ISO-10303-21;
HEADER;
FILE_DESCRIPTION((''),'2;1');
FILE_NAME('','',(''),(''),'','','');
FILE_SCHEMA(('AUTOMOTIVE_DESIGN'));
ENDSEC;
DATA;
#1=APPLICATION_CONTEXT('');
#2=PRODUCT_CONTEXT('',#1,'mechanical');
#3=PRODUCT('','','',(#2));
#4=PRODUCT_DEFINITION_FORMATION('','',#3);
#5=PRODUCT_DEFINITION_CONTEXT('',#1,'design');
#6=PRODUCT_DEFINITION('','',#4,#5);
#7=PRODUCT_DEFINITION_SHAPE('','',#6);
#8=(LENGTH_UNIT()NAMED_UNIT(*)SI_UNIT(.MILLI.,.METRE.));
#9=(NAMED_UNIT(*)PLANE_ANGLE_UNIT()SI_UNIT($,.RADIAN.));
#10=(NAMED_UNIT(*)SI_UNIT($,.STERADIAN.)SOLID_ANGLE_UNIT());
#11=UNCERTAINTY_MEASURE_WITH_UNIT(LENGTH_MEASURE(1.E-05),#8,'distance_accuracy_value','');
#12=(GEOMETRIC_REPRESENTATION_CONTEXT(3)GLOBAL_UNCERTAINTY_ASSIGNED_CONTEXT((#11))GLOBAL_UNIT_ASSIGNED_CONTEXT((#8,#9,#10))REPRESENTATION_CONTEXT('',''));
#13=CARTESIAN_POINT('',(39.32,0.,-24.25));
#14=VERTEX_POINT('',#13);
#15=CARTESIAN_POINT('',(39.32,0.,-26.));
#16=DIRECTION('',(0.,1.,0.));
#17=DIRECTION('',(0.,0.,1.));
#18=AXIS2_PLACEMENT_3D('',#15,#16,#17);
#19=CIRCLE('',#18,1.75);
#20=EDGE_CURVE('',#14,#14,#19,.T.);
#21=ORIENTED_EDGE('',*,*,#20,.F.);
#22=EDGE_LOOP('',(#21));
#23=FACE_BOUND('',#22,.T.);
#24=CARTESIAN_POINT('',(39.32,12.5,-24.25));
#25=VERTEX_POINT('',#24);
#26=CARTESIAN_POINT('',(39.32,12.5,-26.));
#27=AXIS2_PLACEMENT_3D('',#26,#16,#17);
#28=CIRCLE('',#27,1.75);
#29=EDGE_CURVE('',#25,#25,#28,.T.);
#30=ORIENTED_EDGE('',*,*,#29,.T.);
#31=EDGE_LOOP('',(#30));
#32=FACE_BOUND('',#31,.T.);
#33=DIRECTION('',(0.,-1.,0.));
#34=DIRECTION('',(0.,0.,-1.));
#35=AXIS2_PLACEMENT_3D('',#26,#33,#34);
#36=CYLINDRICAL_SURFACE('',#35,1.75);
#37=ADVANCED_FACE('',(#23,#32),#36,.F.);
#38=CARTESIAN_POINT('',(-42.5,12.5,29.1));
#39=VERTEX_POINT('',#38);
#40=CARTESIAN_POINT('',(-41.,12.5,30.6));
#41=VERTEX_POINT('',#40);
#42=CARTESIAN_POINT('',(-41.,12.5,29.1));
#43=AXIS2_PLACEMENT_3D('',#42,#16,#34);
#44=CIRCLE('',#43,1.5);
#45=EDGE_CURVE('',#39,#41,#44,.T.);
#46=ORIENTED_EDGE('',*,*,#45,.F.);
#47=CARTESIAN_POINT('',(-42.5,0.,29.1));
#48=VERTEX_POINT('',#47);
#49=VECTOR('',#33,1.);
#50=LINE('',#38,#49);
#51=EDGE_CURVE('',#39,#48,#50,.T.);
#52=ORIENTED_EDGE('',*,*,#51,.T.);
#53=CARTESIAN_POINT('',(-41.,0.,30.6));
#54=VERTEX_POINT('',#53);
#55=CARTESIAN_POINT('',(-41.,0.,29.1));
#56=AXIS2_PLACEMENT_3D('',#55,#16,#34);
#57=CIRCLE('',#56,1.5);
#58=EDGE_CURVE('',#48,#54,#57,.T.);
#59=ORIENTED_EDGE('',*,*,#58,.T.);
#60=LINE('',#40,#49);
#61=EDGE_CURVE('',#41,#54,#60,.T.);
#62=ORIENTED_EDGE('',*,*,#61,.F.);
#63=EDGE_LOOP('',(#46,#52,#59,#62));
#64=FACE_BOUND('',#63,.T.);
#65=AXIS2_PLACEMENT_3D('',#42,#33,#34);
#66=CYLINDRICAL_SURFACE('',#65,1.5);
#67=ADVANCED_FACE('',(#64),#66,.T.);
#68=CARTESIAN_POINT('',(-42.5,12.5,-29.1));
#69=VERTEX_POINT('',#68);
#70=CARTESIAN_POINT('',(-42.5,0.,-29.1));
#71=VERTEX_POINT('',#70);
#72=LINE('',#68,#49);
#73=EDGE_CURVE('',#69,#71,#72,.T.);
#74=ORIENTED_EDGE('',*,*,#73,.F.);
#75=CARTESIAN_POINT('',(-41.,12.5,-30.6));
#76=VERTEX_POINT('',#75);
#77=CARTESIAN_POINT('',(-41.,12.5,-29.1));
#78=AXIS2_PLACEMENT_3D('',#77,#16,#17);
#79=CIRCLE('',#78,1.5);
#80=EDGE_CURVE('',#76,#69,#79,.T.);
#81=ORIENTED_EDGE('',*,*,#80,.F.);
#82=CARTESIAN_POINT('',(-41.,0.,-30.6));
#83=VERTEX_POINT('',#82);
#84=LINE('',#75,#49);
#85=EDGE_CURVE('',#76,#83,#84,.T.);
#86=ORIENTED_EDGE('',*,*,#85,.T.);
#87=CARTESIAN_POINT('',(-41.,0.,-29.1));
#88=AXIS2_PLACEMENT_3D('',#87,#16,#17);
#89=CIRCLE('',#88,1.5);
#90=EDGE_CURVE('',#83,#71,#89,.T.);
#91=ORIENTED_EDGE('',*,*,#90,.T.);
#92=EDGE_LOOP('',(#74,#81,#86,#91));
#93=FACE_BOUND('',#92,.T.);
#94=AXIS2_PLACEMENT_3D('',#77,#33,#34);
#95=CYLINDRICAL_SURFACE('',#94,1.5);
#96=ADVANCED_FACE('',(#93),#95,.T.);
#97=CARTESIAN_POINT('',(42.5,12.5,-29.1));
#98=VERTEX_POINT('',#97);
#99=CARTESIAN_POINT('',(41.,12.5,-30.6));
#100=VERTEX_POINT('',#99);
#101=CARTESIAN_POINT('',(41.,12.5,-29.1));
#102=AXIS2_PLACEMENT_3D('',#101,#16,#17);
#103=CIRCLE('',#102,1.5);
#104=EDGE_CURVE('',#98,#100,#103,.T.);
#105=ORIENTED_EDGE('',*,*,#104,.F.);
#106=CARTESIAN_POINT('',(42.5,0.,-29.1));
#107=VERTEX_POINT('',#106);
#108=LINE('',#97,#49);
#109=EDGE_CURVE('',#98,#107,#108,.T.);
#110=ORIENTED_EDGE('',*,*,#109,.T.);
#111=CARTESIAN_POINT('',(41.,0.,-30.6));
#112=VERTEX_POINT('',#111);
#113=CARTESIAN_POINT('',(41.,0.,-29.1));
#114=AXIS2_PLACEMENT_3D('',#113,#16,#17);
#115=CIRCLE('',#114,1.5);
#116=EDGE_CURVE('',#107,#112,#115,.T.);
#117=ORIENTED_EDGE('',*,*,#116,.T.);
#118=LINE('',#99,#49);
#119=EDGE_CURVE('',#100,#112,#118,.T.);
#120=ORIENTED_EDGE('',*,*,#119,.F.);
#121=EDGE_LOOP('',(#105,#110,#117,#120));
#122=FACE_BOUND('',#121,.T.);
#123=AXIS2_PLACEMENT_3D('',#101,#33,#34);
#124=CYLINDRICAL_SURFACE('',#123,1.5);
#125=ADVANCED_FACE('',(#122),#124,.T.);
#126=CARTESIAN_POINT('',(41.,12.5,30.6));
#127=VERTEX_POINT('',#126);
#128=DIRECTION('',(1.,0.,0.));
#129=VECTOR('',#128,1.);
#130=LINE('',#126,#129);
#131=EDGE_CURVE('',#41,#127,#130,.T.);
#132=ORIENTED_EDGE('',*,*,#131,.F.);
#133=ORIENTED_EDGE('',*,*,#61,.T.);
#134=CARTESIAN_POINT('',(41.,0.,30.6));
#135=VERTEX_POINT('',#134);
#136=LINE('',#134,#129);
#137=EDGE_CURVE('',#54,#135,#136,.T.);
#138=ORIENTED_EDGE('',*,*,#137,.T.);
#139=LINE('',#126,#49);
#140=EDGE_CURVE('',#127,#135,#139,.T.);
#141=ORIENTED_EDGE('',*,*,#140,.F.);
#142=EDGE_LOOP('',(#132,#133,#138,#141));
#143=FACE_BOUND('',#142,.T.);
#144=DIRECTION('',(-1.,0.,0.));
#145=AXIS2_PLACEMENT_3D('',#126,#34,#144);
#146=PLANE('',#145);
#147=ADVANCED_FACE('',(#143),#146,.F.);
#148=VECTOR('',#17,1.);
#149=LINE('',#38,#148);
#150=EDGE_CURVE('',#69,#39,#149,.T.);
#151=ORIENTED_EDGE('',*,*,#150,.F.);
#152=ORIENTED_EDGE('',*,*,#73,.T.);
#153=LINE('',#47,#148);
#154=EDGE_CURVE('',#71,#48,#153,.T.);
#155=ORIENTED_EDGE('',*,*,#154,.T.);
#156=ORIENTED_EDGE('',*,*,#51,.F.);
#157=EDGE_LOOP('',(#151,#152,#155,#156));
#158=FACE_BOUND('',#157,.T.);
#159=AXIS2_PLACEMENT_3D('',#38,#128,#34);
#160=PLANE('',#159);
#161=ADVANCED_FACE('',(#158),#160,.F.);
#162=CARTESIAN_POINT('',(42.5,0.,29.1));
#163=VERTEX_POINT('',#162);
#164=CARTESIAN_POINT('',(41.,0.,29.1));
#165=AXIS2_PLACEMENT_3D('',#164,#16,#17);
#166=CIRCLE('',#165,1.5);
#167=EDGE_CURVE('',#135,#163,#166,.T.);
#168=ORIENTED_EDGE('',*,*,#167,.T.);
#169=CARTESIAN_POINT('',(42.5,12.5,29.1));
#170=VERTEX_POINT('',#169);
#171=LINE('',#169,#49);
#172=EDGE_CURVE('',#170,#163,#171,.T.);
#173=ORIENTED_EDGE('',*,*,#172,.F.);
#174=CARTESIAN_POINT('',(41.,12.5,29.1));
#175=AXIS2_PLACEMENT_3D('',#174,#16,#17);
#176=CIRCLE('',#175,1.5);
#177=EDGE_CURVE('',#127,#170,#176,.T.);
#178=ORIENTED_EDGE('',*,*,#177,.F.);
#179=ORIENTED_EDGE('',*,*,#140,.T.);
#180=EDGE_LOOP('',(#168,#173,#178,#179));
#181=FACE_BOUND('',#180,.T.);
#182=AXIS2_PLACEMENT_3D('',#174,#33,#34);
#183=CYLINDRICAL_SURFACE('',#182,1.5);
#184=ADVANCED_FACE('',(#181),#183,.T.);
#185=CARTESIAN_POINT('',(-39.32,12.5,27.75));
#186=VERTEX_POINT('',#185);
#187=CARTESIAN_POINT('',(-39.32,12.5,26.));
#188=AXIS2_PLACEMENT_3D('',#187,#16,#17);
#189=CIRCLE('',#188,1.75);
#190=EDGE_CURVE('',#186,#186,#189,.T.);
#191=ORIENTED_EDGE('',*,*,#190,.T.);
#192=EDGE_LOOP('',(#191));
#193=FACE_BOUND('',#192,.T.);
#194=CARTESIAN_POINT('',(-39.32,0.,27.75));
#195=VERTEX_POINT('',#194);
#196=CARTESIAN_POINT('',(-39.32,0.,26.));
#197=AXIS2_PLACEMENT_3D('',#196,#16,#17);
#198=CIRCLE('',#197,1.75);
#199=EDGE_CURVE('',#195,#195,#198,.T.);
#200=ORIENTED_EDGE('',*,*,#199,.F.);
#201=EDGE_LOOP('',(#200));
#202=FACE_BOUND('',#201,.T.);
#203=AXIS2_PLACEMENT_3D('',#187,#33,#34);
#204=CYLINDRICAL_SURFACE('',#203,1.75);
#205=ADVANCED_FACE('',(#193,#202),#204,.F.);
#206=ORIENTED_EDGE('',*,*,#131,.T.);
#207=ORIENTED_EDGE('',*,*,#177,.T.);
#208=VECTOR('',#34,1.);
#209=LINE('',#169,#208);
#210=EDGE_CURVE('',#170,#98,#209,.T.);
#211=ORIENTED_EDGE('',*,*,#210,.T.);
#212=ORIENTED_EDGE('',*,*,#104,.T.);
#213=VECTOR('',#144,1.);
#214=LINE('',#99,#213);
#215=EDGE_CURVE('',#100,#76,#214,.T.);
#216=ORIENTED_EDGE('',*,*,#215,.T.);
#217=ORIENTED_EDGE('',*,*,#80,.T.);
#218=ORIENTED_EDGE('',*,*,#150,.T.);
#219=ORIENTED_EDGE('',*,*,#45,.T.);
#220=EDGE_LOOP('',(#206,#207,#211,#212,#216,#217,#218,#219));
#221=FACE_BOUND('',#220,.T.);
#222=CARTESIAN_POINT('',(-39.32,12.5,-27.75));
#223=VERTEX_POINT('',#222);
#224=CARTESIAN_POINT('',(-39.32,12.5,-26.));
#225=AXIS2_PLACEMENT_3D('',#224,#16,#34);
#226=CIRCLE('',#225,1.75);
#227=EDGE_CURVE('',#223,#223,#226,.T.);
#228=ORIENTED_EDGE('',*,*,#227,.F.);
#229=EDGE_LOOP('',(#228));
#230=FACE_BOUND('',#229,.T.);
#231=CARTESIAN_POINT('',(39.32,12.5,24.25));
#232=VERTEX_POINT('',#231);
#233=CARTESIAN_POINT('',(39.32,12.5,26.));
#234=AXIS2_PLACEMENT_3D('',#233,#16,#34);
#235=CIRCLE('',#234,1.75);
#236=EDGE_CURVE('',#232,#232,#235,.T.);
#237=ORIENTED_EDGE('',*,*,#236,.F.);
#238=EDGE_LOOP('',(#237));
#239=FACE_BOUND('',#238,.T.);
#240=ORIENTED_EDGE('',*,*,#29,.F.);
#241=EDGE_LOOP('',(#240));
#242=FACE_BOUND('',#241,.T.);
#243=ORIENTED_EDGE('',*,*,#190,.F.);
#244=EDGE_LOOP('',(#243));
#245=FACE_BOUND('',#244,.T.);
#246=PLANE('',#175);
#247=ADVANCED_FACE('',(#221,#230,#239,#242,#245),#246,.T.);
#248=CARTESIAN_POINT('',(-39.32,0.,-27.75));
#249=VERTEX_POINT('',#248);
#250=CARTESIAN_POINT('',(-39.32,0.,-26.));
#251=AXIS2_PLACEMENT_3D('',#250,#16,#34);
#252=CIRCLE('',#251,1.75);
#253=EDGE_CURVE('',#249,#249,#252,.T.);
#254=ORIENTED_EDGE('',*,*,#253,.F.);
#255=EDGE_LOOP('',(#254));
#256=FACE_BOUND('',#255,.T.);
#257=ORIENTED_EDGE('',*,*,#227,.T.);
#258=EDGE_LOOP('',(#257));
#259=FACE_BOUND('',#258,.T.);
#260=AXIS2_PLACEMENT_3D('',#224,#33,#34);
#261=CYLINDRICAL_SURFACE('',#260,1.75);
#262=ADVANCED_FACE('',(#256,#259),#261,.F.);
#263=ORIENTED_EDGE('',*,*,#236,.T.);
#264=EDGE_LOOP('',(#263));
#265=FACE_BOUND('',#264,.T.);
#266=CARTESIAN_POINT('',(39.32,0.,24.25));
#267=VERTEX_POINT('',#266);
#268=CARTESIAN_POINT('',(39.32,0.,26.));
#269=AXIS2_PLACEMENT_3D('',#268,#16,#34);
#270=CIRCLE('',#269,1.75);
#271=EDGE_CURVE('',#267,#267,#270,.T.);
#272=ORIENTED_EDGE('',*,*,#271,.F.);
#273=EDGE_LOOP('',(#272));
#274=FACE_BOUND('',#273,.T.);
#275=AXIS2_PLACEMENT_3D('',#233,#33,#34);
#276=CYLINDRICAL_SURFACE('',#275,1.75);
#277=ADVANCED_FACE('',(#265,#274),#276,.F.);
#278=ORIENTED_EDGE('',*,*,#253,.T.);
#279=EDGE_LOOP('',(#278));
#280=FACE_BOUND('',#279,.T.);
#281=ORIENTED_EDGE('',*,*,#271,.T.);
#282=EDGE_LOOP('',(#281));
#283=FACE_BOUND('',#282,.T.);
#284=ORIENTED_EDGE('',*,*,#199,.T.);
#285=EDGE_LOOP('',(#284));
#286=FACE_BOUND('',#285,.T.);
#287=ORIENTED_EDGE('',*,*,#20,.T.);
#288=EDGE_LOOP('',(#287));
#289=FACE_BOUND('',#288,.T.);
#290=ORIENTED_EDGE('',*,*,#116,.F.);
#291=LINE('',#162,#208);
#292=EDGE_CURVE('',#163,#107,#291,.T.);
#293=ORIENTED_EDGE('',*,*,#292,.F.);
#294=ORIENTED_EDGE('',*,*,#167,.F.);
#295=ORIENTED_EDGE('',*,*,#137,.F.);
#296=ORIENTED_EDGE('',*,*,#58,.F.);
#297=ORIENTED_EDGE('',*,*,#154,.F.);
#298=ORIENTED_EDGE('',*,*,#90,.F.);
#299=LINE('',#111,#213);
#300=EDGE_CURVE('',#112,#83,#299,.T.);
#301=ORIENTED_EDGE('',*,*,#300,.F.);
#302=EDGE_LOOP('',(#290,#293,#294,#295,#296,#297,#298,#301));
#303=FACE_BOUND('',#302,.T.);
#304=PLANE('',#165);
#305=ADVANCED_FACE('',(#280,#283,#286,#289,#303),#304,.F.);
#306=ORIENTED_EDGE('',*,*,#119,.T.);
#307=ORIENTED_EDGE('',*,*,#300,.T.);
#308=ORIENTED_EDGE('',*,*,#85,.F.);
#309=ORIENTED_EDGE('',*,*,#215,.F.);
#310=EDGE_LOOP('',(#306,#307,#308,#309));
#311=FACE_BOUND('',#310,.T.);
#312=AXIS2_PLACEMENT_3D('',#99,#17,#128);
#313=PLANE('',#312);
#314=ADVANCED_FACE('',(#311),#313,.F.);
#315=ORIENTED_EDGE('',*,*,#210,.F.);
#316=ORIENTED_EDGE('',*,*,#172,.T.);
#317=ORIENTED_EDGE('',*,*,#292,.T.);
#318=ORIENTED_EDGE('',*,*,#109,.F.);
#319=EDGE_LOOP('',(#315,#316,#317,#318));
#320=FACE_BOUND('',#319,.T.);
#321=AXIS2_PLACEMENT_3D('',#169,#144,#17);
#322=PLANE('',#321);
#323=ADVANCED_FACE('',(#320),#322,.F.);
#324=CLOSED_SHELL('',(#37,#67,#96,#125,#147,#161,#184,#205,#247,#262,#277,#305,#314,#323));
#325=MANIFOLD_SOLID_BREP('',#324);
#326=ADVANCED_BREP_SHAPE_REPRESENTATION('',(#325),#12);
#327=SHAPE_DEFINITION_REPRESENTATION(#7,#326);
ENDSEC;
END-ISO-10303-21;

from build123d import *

# Parameters (mm, degrees)
SKETCH_1_R      = 1.75
EXTRUDE_1_DEPTH = 12.5


with BuildPart() as part:
    # 草图1 → 凸台-拉伸1 (new body)
    with BuildSketch(Plane(origin=(0, 0, 0), x_dir=(1, 0, 0), z_dir=(0, 1, 0))):
        with BuildLine():
            Line((41, -30.6), (-41, -30.6))
            ThreePointArc((-41, -30.6), (-42.060660172, -30.160660172), (-42.5, -29.1))
            Line((-42.5, -29.1), (-42.5, 29.1))
            ThreePointArc((-42.5, 29.1), (-42.060660172, 30.160660172), (-41, 30.6))
            Line((-41, 30.6), (41, 30.6))
            ThreePointArc((41, 30.6), (42.060660172, 30.160660172), (42.5, 29.1))
            Line((42.5, 29.1), (42.5, -29.1))
            ThreePointArc((42.5, -29.1), (42.060660172, -30.160660172), (41, -30.6))
        make_face()
        with Locations(Location((39.32, 26, 0), (0, 0, 270))):
            Circle(SKETCH_1_R, mode=Mode.SUBTRACT)
        with Locations(Location((39.32, -26, 0), (0, 0, 90))):
            Circle(SKETCH_1_R, mode=Mode.SUBTRACT)
        with Locations(Location((-39.32, -26, 0), (0, 0, 270))):
            Circle(SKETCH_1_R, mode=Mode.SUBTRACT)
        with Locations(Location((-39.32, 26, 0), (0, 0, 90))):
            Circle(SKETCH_1_R, mode=Mode.SUBTRACT)
    extrude(amount=EXTRUDE_1_DEPTH)


solid = part.part
